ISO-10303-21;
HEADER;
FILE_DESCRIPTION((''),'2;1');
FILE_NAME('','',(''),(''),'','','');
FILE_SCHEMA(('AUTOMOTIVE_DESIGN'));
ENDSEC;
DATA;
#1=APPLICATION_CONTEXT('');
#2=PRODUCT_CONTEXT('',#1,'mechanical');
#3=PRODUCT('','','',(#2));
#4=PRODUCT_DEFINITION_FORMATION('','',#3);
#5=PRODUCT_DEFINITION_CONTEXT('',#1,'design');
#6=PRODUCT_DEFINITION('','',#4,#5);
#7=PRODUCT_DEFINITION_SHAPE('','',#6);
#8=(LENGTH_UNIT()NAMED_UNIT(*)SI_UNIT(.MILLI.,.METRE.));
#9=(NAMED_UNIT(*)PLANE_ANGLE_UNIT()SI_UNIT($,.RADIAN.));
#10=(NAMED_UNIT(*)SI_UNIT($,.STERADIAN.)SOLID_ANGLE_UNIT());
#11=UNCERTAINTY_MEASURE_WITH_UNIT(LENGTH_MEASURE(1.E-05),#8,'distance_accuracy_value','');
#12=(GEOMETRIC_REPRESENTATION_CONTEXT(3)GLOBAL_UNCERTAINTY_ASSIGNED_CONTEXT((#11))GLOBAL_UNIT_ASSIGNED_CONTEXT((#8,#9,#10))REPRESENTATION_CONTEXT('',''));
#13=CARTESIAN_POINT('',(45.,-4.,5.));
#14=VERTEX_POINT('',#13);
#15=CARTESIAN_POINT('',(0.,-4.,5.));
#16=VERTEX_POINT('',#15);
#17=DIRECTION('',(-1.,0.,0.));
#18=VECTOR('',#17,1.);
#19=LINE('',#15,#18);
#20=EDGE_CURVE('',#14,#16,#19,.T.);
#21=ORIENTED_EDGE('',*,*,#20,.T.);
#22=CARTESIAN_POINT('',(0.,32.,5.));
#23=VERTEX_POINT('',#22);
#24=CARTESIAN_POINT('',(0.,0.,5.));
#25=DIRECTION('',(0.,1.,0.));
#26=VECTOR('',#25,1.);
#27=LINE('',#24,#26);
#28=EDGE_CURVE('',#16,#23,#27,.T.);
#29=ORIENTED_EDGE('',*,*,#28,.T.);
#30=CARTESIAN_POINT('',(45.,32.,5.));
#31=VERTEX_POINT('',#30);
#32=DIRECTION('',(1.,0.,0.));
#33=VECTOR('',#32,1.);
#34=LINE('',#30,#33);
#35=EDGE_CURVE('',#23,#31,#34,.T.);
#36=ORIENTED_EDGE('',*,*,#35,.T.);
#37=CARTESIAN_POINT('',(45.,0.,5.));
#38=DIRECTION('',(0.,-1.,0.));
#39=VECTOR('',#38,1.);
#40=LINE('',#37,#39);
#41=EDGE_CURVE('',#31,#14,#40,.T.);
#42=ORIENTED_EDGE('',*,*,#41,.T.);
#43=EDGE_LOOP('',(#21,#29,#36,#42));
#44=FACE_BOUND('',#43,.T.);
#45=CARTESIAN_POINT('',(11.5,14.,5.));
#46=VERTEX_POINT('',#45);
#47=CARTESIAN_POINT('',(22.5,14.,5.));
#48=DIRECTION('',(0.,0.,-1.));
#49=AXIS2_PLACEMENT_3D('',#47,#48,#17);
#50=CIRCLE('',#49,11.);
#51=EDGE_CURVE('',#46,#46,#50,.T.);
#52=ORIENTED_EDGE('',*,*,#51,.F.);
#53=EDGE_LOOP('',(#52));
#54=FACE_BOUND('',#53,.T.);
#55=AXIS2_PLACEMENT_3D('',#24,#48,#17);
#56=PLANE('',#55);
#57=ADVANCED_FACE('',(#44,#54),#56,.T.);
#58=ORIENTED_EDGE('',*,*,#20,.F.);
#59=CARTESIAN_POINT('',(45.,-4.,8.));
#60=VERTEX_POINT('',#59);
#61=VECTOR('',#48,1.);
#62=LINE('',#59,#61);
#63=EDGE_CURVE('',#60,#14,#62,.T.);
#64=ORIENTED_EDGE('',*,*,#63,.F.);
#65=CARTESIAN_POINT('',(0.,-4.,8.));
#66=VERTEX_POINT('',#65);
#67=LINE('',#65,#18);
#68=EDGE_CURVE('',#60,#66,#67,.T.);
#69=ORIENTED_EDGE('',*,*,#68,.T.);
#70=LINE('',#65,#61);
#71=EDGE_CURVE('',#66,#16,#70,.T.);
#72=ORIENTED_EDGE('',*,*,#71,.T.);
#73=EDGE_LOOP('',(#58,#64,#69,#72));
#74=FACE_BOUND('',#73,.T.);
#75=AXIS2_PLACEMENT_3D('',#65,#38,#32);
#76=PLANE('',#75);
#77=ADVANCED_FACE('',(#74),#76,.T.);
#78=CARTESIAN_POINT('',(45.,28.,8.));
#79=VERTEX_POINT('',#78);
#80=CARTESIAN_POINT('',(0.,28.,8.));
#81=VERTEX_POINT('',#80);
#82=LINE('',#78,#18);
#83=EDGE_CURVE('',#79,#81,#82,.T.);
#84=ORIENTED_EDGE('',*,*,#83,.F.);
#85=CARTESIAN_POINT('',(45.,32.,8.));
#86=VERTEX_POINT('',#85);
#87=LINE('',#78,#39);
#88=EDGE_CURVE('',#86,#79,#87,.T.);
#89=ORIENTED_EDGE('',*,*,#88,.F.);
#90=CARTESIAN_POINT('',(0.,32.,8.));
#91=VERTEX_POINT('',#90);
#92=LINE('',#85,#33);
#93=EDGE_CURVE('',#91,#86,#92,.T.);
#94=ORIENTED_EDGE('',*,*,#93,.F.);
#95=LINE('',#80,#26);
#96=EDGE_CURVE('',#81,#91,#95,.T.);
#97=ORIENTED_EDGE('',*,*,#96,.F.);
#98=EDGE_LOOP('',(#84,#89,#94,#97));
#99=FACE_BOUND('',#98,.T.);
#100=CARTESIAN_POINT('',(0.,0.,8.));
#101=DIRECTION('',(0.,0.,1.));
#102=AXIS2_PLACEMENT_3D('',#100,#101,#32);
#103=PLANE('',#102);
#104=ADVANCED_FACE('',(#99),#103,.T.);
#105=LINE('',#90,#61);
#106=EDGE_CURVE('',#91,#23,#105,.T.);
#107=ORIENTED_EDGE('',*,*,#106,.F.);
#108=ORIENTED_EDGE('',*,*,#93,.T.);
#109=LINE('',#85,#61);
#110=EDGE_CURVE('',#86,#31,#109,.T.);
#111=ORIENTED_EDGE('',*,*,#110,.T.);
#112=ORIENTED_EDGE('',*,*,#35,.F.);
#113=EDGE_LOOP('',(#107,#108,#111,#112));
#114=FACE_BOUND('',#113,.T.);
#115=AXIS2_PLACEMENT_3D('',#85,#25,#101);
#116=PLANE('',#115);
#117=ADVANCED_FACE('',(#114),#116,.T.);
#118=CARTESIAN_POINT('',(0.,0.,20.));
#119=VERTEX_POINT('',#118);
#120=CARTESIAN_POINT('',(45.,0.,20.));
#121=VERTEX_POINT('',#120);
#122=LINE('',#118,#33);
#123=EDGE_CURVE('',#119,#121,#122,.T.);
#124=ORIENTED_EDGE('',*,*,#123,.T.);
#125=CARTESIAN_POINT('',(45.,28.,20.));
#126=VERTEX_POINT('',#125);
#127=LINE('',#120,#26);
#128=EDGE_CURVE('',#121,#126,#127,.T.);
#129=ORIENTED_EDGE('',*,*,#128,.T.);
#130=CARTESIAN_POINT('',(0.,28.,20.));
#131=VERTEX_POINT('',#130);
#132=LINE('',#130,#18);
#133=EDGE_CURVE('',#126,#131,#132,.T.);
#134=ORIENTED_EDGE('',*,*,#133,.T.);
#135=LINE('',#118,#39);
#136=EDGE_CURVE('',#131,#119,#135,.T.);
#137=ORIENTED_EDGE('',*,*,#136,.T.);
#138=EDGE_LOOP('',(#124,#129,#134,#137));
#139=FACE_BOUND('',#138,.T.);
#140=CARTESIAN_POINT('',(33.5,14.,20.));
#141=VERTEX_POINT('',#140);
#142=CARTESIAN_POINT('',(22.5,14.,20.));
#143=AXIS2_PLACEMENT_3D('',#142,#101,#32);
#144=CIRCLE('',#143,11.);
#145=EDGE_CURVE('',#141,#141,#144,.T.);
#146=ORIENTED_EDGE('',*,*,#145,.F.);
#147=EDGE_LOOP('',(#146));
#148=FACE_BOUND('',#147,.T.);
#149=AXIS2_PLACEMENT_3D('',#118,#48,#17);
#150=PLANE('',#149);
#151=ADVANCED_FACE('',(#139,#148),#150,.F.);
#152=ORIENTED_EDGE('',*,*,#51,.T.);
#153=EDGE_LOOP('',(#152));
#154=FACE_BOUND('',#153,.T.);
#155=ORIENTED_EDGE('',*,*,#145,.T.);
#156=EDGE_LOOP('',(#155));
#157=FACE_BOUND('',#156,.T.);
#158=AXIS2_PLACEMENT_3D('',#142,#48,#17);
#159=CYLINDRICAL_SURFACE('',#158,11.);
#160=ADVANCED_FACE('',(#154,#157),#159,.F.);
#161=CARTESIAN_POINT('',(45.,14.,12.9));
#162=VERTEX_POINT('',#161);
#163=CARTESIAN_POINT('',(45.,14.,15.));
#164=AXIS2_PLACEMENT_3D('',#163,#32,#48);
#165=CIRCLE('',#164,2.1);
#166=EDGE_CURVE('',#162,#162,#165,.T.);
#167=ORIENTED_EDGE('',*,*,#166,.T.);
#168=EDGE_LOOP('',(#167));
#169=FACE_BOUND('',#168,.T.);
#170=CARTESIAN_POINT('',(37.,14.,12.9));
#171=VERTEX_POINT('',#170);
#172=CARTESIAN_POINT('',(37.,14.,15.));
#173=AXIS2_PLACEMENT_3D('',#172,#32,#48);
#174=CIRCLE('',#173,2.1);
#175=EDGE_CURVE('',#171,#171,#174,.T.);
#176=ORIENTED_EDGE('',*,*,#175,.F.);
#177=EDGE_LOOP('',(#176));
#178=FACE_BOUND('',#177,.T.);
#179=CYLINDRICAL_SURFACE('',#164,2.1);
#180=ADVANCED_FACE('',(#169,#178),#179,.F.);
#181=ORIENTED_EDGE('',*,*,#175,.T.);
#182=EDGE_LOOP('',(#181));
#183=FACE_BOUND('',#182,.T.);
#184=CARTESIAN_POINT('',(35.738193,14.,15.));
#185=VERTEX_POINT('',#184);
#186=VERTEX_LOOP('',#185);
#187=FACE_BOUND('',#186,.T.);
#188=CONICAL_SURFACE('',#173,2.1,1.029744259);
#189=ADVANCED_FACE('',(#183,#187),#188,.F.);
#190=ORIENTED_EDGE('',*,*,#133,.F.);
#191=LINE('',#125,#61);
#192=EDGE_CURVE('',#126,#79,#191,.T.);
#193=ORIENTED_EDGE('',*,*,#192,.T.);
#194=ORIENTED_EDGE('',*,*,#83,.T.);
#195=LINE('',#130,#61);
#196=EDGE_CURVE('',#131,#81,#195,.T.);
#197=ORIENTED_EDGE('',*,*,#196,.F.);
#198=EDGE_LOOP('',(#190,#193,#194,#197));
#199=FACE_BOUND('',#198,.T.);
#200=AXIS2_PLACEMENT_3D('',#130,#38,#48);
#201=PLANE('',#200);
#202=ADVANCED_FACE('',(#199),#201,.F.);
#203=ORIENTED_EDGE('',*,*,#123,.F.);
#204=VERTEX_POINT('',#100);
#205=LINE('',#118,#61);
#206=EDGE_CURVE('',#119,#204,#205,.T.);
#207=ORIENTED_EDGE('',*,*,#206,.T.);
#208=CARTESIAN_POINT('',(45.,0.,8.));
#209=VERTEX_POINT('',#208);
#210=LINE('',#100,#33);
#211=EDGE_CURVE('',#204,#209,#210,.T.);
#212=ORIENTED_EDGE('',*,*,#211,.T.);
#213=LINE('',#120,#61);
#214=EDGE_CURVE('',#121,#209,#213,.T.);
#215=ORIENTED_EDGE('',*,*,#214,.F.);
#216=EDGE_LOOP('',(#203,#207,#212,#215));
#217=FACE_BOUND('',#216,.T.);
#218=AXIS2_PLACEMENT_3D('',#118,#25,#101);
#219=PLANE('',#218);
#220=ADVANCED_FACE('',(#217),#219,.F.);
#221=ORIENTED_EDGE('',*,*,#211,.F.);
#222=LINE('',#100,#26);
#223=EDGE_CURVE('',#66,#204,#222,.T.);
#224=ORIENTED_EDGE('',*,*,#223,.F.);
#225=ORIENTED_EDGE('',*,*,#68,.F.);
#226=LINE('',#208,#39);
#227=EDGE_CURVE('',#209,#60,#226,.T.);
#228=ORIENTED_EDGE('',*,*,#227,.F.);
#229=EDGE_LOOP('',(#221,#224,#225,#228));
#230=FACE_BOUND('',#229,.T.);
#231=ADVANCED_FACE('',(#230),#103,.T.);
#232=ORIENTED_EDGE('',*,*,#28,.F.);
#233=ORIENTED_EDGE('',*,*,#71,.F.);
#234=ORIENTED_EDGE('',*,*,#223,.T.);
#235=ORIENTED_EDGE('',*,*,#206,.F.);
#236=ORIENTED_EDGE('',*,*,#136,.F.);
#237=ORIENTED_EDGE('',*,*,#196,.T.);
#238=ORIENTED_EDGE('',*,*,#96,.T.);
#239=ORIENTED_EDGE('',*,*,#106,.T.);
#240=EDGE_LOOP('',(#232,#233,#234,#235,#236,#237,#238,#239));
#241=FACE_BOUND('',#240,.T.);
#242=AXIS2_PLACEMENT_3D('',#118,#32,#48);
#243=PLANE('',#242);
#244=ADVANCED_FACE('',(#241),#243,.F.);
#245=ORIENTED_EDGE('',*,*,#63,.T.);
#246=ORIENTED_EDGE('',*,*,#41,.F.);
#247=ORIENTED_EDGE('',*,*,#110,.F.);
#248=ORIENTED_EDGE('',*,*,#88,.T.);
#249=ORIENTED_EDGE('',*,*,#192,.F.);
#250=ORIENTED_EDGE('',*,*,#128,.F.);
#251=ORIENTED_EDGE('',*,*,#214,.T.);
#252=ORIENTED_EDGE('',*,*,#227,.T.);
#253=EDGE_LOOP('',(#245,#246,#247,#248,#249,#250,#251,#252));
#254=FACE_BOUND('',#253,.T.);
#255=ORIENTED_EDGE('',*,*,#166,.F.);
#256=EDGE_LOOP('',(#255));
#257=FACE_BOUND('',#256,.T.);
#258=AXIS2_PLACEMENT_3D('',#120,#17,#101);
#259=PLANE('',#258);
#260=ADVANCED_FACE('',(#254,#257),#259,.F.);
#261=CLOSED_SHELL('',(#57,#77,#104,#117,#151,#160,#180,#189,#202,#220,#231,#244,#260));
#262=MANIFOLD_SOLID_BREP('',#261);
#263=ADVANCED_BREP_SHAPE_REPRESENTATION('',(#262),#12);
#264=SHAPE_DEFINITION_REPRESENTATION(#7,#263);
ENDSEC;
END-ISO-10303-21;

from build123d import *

# Parameters (mm, degrees)
SKETCH1_W                 = 45
SKETCH1_H                 = 28
SKETCH1_R                 = 11
BOSS_EXTRUDE1_DEPTH       = 20
M5X0_8_TAPPED_HOLE1_D     = 4.2
M5X0_8_TAPPED_HOLE1_DEPTH = 8
M5X0_8_TAPPED_HOLE1_TIP   = 1.2618073
SKETCH6_W                 = 45
SKETCH6_H                 = 28
CUT_EXTRUDE1_DEPTH        = 5
SKETCH7_W                 = 45
SKETCH7_H                 = 4
BOSS_EXTRUDE5_DEPTH       = 3


with BuildPart() as part:
    # Sketch1 → Boss-Extrude1 (new body)
    with BuildSketch(Plane.XY):
        with Locations((22.5, 14)):
            Rectangle(SKETCH1_W, SKETCH1_H)
        with Locations((22.5, 14)):
            Circle(SKETCH1_R, mode=Mode.SUBTRACT)
    extrude(amount=BOSS_EXTRUDE1_DEPTH)

    # M5x0.8 Tapped Hole1
    with Locations(Plane(origin=(45, 14, 15), x_dir=(0, 0, 1), z_dir=(1, 0, 0))):
        with Locations((0, 0)):
            Hole(M5X0_8_TAPPED_HOLE1_D / 2, depth=M5X0_8_TAPPED_HOLE1_DEPTH)
            with Locations((0, 0, -(M5X0_8_TAPPED_HOLE1_DEPTH + M5X0_8_TAPPED_HOLE1_TIP / 2))):  # 118° drill point
                Cone(0, M5X0_8_TAPPED_HOLE1_D / 2, M5X0_8_TAPPED_HOLE1_TIP, mode=Mode.SUBTRACT)

    # Sketch6 → Cut-Extrude1 (cut)
    with BuildSketch(Plane(origin=(0, 0, 0), x_dir=(-1, 0, 0), z_dir=(0, 0, -1))):
        with Locations((-22.5, 14)):
            Rectangle(SKETCH6_W, SKETCH6_H)
    extrude(amount=-CUT_EXTRUDE1_DEPTH, mode=Mode.SUBTRACT)

    # Sketch7 → Boss-Extrude5 (add)
    with BuildSketch(Plane(origin=(0, 0, 5), x_dir=(-1, 0, 0), z_dir=(0, 0, -1))):
        with Locations((-22.5, 30)):
            Rectangle(SKETCH7_W, SKETCH7_H)
        with Locations((-22.5, -2)):
            Rectangle(SKETCH7_W, SKETCH7_H)
    extrude(amount=-BOSS_EXTRUDE5_DEPTH)


solid = part.part
